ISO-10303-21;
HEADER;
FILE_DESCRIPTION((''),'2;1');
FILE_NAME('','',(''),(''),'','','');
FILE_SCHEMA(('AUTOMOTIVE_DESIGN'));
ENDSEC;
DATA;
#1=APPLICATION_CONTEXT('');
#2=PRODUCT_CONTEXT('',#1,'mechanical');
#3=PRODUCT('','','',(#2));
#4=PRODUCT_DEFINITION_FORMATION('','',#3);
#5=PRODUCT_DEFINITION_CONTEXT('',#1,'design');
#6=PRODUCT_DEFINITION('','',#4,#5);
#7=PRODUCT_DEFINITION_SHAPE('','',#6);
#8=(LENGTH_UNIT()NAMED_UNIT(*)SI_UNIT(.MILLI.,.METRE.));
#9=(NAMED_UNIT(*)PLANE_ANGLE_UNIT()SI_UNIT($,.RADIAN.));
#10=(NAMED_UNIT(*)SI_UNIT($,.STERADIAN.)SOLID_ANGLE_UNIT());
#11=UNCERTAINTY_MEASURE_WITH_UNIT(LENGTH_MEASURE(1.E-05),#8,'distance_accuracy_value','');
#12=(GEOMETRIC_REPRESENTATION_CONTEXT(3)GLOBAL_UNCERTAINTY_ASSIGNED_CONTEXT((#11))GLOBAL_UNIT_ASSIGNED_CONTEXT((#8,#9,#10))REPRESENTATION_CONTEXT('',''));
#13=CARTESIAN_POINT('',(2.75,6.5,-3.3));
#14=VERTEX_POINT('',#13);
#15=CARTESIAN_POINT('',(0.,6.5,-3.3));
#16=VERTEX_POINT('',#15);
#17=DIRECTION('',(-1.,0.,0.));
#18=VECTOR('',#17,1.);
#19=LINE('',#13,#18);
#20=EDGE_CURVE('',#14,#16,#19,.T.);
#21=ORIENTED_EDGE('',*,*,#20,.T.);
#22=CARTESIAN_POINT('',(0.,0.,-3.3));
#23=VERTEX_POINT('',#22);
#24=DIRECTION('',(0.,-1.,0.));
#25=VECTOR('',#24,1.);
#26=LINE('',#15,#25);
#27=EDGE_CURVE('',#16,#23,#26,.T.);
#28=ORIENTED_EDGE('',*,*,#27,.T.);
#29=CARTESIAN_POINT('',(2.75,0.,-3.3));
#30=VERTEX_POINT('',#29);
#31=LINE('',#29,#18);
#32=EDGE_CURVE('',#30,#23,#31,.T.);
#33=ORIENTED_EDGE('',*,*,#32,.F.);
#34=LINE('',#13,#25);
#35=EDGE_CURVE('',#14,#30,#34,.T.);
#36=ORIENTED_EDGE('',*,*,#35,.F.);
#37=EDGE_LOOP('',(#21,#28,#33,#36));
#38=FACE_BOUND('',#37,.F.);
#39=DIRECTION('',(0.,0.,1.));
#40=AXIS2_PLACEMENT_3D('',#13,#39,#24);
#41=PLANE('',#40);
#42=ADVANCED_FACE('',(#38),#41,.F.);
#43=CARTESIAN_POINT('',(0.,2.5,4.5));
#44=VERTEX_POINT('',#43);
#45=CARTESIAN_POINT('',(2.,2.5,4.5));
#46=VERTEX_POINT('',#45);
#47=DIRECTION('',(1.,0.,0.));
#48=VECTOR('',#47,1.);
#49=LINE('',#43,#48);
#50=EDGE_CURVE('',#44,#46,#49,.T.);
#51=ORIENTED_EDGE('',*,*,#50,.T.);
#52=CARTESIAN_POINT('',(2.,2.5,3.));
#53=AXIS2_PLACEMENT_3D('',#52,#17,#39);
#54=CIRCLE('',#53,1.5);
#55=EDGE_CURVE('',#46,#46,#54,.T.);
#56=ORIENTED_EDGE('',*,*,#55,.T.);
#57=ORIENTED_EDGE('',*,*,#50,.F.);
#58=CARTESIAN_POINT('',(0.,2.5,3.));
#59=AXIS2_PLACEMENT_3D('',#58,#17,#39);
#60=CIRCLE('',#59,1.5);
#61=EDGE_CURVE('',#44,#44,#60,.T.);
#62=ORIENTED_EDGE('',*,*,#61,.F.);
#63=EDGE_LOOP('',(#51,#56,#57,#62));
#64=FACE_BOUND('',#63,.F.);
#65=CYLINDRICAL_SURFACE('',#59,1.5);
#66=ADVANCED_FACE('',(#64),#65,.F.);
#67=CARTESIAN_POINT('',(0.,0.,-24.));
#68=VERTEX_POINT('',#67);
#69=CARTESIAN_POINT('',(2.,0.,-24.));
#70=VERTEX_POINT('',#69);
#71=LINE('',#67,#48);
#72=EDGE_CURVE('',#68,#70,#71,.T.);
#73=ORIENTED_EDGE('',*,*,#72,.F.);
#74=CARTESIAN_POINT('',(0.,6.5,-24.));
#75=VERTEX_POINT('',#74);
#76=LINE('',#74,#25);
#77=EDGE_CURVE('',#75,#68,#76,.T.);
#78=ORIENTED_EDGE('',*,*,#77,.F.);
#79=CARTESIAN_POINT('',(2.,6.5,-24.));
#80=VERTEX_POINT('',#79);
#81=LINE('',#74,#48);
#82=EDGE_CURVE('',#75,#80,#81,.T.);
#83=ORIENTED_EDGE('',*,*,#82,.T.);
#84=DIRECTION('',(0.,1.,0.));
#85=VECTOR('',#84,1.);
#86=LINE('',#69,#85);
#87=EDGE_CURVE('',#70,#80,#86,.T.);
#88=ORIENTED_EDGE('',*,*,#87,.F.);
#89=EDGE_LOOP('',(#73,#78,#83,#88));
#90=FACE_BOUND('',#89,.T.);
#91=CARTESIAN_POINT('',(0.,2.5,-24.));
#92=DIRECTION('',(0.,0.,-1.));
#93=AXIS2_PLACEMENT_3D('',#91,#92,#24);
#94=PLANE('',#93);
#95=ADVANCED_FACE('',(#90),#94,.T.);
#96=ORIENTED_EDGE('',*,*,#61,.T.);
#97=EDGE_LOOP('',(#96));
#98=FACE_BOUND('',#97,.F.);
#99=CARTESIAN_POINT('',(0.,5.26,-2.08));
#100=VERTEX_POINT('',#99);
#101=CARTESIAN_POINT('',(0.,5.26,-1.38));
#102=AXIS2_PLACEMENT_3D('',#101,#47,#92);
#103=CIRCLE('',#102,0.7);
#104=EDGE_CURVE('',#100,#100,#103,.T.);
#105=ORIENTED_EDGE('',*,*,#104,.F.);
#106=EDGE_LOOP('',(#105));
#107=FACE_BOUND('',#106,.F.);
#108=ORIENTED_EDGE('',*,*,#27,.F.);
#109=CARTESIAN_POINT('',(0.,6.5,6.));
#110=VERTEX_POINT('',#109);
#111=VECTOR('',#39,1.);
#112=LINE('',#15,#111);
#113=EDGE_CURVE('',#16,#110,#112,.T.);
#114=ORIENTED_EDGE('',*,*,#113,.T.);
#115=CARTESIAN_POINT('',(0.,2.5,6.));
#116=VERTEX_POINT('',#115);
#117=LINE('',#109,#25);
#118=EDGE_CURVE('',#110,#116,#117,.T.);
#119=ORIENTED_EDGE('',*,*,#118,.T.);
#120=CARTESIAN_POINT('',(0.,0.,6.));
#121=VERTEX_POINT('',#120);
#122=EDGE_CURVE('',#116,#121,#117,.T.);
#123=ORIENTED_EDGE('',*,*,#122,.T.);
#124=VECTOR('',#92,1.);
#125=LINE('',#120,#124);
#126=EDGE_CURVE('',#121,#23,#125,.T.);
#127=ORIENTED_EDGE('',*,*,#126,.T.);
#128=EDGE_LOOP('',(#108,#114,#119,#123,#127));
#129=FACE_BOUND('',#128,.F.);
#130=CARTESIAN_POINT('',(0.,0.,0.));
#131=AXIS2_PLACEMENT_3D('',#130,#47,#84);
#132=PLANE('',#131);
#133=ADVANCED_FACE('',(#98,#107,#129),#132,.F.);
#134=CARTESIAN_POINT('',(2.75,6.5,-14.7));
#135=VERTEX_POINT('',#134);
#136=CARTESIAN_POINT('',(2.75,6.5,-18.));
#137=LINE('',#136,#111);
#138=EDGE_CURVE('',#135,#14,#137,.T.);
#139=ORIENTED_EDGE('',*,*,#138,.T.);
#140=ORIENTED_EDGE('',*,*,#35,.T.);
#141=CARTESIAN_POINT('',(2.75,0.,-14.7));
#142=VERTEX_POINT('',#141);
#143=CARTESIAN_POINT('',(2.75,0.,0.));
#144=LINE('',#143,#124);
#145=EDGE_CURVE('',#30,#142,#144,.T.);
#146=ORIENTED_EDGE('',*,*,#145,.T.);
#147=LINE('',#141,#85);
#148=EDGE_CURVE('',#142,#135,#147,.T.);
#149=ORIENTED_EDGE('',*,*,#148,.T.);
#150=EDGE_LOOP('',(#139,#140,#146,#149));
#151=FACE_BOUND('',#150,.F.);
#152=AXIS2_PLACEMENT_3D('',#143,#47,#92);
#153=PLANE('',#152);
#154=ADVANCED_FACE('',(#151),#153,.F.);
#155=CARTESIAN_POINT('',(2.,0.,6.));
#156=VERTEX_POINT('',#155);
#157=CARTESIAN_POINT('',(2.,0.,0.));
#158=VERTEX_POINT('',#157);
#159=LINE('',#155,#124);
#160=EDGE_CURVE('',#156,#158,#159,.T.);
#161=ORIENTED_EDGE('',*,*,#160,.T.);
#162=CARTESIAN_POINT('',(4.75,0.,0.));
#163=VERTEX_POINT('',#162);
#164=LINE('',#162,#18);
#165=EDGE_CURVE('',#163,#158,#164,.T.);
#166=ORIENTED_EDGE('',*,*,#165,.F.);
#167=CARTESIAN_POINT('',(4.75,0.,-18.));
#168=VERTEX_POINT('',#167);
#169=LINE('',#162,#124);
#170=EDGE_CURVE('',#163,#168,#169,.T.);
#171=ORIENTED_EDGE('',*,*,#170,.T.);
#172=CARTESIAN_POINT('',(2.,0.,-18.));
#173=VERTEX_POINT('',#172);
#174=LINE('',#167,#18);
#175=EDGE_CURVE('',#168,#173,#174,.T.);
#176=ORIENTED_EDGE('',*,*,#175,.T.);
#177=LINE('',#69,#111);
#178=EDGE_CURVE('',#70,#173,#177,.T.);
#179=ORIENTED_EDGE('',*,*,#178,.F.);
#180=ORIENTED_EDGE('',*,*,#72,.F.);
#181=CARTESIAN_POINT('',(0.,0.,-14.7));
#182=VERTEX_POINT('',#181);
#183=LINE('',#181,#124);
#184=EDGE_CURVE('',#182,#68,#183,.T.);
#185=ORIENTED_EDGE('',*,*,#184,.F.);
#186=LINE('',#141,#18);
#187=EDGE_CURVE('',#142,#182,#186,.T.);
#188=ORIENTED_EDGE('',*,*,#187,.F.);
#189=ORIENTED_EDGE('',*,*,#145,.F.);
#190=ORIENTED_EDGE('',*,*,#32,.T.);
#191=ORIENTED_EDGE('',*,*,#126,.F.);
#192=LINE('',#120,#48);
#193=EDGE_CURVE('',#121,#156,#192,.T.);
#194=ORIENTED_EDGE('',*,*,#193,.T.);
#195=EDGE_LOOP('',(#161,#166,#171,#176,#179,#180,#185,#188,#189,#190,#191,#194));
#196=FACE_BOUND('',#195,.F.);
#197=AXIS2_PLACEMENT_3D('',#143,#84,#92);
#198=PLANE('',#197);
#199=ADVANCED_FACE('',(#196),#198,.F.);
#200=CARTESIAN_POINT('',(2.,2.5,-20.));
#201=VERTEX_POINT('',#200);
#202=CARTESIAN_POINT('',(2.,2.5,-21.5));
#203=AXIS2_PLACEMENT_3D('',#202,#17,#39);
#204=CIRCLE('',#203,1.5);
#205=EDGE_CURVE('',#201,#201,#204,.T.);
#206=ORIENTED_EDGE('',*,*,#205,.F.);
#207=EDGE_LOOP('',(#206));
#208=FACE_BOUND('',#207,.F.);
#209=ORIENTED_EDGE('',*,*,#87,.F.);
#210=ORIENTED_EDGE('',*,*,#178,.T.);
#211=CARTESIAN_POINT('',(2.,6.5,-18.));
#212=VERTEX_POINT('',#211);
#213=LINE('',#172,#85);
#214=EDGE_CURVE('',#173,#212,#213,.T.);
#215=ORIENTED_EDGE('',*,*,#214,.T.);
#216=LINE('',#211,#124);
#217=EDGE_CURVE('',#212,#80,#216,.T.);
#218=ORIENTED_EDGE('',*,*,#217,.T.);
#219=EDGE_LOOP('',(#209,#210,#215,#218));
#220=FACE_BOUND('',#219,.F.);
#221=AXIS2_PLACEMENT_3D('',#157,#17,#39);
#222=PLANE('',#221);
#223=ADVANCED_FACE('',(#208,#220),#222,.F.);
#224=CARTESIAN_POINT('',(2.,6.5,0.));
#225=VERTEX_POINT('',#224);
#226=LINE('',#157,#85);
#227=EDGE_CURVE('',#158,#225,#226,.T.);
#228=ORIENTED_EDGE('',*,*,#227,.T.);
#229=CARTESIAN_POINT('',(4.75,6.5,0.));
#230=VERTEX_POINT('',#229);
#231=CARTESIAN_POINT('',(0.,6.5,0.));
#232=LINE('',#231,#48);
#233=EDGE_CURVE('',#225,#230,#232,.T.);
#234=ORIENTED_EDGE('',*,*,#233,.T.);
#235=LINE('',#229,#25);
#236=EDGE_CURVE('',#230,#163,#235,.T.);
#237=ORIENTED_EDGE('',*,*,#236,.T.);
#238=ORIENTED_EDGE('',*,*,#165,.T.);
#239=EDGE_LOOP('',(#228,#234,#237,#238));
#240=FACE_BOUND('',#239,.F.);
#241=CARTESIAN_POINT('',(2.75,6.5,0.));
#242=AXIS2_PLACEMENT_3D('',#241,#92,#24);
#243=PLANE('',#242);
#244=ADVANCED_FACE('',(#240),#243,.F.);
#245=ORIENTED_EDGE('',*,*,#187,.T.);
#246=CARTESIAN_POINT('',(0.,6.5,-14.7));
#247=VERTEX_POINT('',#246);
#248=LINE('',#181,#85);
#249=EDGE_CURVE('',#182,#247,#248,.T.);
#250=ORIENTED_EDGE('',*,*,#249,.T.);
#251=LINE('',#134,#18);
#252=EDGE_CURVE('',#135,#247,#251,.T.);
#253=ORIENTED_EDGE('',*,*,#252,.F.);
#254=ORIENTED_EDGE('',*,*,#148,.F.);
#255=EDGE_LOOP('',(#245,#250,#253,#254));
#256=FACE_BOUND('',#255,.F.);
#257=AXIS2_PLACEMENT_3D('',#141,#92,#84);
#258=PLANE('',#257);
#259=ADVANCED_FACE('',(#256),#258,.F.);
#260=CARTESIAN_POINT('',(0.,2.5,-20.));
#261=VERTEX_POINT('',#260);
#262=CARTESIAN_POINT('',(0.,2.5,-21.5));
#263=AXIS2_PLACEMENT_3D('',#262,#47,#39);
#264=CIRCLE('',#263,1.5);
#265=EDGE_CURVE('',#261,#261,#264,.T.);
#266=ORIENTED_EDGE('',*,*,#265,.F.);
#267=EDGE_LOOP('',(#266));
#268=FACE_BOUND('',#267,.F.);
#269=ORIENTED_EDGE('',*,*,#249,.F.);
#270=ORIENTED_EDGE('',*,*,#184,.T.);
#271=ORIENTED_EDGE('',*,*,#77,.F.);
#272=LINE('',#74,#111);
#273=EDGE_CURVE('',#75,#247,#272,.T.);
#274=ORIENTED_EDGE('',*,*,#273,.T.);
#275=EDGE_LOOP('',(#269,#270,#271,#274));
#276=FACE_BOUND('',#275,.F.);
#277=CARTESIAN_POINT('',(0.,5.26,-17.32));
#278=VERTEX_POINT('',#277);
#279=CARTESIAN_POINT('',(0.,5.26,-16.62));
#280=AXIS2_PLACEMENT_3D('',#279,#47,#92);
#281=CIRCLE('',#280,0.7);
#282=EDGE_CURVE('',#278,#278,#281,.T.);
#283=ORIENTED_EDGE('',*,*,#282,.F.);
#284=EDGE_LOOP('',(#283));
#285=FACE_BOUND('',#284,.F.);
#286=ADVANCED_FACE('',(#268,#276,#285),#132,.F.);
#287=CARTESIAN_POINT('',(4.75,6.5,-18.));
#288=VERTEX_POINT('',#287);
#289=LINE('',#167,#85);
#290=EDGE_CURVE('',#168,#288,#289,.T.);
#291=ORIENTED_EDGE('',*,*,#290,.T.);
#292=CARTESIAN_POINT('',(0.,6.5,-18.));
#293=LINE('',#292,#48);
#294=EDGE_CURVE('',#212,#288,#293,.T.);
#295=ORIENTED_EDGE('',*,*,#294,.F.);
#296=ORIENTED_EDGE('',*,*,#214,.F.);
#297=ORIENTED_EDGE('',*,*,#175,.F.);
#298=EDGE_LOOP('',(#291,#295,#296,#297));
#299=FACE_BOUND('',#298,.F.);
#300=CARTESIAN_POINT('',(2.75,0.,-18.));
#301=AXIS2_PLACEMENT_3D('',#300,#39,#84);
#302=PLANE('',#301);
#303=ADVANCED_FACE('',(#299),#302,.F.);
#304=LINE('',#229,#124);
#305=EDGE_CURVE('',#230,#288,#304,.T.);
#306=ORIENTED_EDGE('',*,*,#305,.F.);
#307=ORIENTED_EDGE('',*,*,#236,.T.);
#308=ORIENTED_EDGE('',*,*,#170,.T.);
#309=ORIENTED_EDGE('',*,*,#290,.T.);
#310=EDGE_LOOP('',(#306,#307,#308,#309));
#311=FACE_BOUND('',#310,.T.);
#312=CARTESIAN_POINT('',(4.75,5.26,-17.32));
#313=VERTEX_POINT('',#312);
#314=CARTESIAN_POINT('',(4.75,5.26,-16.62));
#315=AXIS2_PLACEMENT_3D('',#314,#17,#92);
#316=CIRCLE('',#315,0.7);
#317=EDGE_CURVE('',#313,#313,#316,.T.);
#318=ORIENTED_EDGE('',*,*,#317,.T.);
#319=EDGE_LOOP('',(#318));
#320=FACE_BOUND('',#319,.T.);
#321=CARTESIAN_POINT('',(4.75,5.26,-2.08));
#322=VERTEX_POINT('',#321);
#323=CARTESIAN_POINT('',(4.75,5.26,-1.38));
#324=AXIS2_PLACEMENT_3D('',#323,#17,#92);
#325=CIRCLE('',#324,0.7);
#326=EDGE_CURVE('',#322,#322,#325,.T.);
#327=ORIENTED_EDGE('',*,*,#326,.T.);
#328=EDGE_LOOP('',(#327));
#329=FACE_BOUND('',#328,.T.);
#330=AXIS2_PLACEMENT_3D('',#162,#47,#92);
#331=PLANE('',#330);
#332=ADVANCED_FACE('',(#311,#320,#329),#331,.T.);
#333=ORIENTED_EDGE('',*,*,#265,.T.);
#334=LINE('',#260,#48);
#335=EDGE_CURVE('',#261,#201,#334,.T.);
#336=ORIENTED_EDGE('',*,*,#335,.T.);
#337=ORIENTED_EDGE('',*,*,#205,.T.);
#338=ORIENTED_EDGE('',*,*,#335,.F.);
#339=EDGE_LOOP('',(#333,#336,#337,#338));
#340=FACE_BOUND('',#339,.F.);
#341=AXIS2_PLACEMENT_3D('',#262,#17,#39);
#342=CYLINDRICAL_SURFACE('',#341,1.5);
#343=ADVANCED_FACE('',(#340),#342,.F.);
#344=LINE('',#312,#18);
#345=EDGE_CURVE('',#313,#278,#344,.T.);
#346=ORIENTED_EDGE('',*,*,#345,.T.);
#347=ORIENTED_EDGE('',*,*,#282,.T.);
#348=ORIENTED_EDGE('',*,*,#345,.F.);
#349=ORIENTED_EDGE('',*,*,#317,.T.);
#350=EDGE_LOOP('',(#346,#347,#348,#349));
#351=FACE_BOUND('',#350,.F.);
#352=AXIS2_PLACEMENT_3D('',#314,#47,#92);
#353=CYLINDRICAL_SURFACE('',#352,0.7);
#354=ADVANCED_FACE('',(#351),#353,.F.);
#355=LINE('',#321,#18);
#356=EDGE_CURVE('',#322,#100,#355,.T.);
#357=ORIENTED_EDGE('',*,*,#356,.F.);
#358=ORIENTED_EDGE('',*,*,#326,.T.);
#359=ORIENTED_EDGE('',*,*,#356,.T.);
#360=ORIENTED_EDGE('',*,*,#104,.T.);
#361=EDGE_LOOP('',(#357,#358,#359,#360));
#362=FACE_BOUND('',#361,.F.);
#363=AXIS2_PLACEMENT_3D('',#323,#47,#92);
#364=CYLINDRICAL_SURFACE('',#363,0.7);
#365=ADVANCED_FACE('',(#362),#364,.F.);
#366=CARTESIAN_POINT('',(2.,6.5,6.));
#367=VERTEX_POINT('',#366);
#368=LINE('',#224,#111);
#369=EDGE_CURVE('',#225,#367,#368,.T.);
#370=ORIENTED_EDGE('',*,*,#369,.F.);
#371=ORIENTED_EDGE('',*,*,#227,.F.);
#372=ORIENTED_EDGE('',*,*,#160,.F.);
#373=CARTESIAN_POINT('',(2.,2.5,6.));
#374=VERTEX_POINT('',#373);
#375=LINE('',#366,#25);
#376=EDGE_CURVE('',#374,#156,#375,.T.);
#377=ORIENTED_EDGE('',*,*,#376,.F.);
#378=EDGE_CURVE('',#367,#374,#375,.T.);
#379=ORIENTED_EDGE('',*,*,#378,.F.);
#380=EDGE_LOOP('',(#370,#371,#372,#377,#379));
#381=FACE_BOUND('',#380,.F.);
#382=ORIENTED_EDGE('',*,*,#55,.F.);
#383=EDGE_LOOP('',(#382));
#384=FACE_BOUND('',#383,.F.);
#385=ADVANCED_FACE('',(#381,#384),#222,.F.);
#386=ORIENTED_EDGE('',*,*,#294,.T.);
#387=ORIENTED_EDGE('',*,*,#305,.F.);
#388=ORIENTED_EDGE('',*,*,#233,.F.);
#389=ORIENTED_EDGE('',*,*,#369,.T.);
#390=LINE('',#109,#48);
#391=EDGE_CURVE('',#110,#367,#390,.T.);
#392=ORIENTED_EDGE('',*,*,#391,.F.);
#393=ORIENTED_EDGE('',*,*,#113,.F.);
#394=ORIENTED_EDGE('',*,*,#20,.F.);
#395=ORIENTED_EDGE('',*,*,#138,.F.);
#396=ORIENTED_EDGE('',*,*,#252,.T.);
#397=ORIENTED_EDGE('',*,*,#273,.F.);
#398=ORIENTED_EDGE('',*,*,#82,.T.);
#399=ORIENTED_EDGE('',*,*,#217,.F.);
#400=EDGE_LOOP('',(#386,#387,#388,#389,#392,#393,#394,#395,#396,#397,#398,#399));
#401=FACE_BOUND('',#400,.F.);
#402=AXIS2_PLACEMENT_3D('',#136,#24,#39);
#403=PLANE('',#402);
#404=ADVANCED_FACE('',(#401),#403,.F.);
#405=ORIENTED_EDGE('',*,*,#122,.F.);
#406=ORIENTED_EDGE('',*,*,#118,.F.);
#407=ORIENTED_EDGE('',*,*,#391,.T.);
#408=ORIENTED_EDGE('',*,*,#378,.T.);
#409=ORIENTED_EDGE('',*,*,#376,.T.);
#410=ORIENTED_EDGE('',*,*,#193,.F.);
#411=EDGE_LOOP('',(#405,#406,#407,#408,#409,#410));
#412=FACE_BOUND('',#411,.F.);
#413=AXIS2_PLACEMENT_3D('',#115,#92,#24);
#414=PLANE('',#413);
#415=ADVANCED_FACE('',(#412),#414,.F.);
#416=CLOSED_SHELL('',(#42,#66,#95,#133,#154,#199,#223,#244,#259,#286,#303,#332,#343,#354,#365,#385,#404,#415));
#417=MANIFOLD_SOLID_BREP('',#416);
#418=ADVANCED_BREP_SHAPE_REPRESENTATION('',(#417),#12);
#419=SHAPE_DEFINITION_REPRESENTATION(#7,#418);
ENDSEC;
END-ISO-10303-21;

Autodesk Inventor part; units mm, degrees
ref_plane "YZ Plane" through (0, 0, 0) normal (1, 0, 0) x (0, 1, 0)
ref_plane "XZ Plane" through (0, 0, 0) normal (0, 1, 0) x (-1, 0, 0)
ref_plane "XY Plane" through (0, 0, 0) normal (0, 0, 1) x (1, 0, 0)
sketch "Sketch1" plane through (0, 0, 0) normal (1, 0, 0) x (0, 1, 0)
  line L0 (0, 0) -> (6.5, 0)
  line L1 (6.5, 0) -> (6.5, -18)
  line L2 (6.5, -18) -> (0, -18)
  line L3 (0, -18) -> (0, 0)
  dimension "d0" = 6.5
  dimension "d1" = 18
extrude "Extrusion1" add sketch "Sketch1" along normal blind 2.75
sketch "Sketch2" plane through (2.75, 0, 0) normal (1, 0, 0) x (0, 0, -1)
  line L0 (0, 6.5) -> (0, 0) projected
  line L1 (0, 0) -> (18, 0) projected
  line L2 (0, 6.5) -> (3.3, 6.5)
  line L3 (3.3, 6.5) -> (3.3, 0)
  line L4 (3.3, 0) -> (0, 0)
  line L5 (0, 0) -> (0, 6.5)
  line L6 (18, 0) -> (18, 6.5) projected
  line L7 (18, 6.5) -> (0, 6.5) projected
  line L8 (18, 0) -> (14.7, 0)
  line L9 (14.7, 0) -> (14.7, 6.5)
  line L10 (14.7, 6.5) -> (18, 6.5)
  line L11 (18, 6.5) -> (18, 0)
  line L12 (3.3, 6.5) -> (14.7, 6.5)
  line L13 (14.7, 6.5) -> (14.7, 0)
  line L14 (14.7, 0) -> (3.3, 0)
  line L15 (3.3, 0) -> (3.3, 6.5)
  dimension "d4" = 3.3
  dimension "d5" = 3.3
extrude "Extrusion2" cut sketch "Sketch2" against normal blind 2.75 contours L7 L9 L1 L3
sketch "Sketch3" plane through (2.75, 0, 0) normal (1, 0, 0) x (0, 0, -1)
  line L0 (18, 6.5) -> (14.7, 6.5) projected
  line L1 (0, 0) -> (18, 0)
  line L2 (18, 0) -> (18, 6.5)
  line L3 (18, 6.5) -> (0, 6.5)
  line L4 (0, 6.5) -> (0, 0)
extrude "Extrusion3" add sketch "Sketch3" along normal blind 2
sketch "Sketch4" plane through (4.75, 0, 0) normal (1, 0, 0) x (0, 0, -1)
  line L0 (3.3, 6.5) -> (0, 6.5) projected
  line L1 (0, 6.5) -> (1.38, 6.5)
  line L2 (1.38, 6.5) -> (1.38, 5.26)
  line L3 (18, 6.5) -> (14.7, 6.5) projected
  line L4 (18, 6.5) -> (16.62, 6.5)
  line L5 (16.62, 6.5) -> (16.62, 5.26)
  circle A0 centre (1.38, 5.26) radius 0.7
  circle A1 centre (16.62, 5.26) radius 0.7
  point P0 (0, 0)
  dimension "d10" = 1.38
  dimension "d11" = 1.24
  dimension "d12" = 1.38
  dimension "d13" = 1.24
  dimension "d14" = 1.4
  dimension "d15" = 1.4
extrude "Extrusion4" cut sketch "Sketch4" against normal blind 20
sketch "Sketch5" plane through (0, 0, 0) normal (-1, 0, 0) x (0, 0, 1)
  line L0 (-18, 6.5) -> (0, 6.5) projected
  line L1 (0, 6.5) -> (6, 6.5)
  line L2 (6, 6.5) -> (6, 0)
  line L3 (6, 0) -> (0, 0)
  line L4 (0, 0) -> (0, 6.5)
  line L5 (-18, 0) -> (-18, 6.5) projected
  line L6 (-18, 6.5) -> (-24, 6.5)
  line L7 (-24, 6.5) -> (-24, 0)
  line L8 (-24, 0) -> (-18, 0)
  line L9 (-18, 0) -> (-18, 6.5)
  line L10 (-24, 3.25) -> (-21.5, 3.25)
  line L11 (-24, 6.5) -> (-24, 2.5)
  line L12 (-24, 2.5) -> (-21.5, 2.5)
  circle A0 centre (-21.5, 2.5) radius 1.5
  line L13 (6, 6.5) -> (6, 2.5)
  line L14 (6, 2.5) -> (3, 2.5)
  circle A1 centre (3, 2.5) radius 1.5
  point P0 (0, 0)
  dimension "d18" = 6
  dimension "d19" = 6.5
  dimension "d20" = 6
  dimension "d21" = 6.5
  dimension "d27" = 2.5
  dimension "d28" = 4
  dimension "d29" = 2.5
  dimension "d30" = 3
  dimension "d31" = 4
  dimension "d32" = 3
  dimension "d33" = 3
extrude "Extrusion6" add sketch "Sketch5" against normal blind 2 contours L1 L2 L3 L4 | L5 L8 L7 L12 A0 L10 L6 | L10 A0 L12 L7
properties part number "arduino_clamp"
